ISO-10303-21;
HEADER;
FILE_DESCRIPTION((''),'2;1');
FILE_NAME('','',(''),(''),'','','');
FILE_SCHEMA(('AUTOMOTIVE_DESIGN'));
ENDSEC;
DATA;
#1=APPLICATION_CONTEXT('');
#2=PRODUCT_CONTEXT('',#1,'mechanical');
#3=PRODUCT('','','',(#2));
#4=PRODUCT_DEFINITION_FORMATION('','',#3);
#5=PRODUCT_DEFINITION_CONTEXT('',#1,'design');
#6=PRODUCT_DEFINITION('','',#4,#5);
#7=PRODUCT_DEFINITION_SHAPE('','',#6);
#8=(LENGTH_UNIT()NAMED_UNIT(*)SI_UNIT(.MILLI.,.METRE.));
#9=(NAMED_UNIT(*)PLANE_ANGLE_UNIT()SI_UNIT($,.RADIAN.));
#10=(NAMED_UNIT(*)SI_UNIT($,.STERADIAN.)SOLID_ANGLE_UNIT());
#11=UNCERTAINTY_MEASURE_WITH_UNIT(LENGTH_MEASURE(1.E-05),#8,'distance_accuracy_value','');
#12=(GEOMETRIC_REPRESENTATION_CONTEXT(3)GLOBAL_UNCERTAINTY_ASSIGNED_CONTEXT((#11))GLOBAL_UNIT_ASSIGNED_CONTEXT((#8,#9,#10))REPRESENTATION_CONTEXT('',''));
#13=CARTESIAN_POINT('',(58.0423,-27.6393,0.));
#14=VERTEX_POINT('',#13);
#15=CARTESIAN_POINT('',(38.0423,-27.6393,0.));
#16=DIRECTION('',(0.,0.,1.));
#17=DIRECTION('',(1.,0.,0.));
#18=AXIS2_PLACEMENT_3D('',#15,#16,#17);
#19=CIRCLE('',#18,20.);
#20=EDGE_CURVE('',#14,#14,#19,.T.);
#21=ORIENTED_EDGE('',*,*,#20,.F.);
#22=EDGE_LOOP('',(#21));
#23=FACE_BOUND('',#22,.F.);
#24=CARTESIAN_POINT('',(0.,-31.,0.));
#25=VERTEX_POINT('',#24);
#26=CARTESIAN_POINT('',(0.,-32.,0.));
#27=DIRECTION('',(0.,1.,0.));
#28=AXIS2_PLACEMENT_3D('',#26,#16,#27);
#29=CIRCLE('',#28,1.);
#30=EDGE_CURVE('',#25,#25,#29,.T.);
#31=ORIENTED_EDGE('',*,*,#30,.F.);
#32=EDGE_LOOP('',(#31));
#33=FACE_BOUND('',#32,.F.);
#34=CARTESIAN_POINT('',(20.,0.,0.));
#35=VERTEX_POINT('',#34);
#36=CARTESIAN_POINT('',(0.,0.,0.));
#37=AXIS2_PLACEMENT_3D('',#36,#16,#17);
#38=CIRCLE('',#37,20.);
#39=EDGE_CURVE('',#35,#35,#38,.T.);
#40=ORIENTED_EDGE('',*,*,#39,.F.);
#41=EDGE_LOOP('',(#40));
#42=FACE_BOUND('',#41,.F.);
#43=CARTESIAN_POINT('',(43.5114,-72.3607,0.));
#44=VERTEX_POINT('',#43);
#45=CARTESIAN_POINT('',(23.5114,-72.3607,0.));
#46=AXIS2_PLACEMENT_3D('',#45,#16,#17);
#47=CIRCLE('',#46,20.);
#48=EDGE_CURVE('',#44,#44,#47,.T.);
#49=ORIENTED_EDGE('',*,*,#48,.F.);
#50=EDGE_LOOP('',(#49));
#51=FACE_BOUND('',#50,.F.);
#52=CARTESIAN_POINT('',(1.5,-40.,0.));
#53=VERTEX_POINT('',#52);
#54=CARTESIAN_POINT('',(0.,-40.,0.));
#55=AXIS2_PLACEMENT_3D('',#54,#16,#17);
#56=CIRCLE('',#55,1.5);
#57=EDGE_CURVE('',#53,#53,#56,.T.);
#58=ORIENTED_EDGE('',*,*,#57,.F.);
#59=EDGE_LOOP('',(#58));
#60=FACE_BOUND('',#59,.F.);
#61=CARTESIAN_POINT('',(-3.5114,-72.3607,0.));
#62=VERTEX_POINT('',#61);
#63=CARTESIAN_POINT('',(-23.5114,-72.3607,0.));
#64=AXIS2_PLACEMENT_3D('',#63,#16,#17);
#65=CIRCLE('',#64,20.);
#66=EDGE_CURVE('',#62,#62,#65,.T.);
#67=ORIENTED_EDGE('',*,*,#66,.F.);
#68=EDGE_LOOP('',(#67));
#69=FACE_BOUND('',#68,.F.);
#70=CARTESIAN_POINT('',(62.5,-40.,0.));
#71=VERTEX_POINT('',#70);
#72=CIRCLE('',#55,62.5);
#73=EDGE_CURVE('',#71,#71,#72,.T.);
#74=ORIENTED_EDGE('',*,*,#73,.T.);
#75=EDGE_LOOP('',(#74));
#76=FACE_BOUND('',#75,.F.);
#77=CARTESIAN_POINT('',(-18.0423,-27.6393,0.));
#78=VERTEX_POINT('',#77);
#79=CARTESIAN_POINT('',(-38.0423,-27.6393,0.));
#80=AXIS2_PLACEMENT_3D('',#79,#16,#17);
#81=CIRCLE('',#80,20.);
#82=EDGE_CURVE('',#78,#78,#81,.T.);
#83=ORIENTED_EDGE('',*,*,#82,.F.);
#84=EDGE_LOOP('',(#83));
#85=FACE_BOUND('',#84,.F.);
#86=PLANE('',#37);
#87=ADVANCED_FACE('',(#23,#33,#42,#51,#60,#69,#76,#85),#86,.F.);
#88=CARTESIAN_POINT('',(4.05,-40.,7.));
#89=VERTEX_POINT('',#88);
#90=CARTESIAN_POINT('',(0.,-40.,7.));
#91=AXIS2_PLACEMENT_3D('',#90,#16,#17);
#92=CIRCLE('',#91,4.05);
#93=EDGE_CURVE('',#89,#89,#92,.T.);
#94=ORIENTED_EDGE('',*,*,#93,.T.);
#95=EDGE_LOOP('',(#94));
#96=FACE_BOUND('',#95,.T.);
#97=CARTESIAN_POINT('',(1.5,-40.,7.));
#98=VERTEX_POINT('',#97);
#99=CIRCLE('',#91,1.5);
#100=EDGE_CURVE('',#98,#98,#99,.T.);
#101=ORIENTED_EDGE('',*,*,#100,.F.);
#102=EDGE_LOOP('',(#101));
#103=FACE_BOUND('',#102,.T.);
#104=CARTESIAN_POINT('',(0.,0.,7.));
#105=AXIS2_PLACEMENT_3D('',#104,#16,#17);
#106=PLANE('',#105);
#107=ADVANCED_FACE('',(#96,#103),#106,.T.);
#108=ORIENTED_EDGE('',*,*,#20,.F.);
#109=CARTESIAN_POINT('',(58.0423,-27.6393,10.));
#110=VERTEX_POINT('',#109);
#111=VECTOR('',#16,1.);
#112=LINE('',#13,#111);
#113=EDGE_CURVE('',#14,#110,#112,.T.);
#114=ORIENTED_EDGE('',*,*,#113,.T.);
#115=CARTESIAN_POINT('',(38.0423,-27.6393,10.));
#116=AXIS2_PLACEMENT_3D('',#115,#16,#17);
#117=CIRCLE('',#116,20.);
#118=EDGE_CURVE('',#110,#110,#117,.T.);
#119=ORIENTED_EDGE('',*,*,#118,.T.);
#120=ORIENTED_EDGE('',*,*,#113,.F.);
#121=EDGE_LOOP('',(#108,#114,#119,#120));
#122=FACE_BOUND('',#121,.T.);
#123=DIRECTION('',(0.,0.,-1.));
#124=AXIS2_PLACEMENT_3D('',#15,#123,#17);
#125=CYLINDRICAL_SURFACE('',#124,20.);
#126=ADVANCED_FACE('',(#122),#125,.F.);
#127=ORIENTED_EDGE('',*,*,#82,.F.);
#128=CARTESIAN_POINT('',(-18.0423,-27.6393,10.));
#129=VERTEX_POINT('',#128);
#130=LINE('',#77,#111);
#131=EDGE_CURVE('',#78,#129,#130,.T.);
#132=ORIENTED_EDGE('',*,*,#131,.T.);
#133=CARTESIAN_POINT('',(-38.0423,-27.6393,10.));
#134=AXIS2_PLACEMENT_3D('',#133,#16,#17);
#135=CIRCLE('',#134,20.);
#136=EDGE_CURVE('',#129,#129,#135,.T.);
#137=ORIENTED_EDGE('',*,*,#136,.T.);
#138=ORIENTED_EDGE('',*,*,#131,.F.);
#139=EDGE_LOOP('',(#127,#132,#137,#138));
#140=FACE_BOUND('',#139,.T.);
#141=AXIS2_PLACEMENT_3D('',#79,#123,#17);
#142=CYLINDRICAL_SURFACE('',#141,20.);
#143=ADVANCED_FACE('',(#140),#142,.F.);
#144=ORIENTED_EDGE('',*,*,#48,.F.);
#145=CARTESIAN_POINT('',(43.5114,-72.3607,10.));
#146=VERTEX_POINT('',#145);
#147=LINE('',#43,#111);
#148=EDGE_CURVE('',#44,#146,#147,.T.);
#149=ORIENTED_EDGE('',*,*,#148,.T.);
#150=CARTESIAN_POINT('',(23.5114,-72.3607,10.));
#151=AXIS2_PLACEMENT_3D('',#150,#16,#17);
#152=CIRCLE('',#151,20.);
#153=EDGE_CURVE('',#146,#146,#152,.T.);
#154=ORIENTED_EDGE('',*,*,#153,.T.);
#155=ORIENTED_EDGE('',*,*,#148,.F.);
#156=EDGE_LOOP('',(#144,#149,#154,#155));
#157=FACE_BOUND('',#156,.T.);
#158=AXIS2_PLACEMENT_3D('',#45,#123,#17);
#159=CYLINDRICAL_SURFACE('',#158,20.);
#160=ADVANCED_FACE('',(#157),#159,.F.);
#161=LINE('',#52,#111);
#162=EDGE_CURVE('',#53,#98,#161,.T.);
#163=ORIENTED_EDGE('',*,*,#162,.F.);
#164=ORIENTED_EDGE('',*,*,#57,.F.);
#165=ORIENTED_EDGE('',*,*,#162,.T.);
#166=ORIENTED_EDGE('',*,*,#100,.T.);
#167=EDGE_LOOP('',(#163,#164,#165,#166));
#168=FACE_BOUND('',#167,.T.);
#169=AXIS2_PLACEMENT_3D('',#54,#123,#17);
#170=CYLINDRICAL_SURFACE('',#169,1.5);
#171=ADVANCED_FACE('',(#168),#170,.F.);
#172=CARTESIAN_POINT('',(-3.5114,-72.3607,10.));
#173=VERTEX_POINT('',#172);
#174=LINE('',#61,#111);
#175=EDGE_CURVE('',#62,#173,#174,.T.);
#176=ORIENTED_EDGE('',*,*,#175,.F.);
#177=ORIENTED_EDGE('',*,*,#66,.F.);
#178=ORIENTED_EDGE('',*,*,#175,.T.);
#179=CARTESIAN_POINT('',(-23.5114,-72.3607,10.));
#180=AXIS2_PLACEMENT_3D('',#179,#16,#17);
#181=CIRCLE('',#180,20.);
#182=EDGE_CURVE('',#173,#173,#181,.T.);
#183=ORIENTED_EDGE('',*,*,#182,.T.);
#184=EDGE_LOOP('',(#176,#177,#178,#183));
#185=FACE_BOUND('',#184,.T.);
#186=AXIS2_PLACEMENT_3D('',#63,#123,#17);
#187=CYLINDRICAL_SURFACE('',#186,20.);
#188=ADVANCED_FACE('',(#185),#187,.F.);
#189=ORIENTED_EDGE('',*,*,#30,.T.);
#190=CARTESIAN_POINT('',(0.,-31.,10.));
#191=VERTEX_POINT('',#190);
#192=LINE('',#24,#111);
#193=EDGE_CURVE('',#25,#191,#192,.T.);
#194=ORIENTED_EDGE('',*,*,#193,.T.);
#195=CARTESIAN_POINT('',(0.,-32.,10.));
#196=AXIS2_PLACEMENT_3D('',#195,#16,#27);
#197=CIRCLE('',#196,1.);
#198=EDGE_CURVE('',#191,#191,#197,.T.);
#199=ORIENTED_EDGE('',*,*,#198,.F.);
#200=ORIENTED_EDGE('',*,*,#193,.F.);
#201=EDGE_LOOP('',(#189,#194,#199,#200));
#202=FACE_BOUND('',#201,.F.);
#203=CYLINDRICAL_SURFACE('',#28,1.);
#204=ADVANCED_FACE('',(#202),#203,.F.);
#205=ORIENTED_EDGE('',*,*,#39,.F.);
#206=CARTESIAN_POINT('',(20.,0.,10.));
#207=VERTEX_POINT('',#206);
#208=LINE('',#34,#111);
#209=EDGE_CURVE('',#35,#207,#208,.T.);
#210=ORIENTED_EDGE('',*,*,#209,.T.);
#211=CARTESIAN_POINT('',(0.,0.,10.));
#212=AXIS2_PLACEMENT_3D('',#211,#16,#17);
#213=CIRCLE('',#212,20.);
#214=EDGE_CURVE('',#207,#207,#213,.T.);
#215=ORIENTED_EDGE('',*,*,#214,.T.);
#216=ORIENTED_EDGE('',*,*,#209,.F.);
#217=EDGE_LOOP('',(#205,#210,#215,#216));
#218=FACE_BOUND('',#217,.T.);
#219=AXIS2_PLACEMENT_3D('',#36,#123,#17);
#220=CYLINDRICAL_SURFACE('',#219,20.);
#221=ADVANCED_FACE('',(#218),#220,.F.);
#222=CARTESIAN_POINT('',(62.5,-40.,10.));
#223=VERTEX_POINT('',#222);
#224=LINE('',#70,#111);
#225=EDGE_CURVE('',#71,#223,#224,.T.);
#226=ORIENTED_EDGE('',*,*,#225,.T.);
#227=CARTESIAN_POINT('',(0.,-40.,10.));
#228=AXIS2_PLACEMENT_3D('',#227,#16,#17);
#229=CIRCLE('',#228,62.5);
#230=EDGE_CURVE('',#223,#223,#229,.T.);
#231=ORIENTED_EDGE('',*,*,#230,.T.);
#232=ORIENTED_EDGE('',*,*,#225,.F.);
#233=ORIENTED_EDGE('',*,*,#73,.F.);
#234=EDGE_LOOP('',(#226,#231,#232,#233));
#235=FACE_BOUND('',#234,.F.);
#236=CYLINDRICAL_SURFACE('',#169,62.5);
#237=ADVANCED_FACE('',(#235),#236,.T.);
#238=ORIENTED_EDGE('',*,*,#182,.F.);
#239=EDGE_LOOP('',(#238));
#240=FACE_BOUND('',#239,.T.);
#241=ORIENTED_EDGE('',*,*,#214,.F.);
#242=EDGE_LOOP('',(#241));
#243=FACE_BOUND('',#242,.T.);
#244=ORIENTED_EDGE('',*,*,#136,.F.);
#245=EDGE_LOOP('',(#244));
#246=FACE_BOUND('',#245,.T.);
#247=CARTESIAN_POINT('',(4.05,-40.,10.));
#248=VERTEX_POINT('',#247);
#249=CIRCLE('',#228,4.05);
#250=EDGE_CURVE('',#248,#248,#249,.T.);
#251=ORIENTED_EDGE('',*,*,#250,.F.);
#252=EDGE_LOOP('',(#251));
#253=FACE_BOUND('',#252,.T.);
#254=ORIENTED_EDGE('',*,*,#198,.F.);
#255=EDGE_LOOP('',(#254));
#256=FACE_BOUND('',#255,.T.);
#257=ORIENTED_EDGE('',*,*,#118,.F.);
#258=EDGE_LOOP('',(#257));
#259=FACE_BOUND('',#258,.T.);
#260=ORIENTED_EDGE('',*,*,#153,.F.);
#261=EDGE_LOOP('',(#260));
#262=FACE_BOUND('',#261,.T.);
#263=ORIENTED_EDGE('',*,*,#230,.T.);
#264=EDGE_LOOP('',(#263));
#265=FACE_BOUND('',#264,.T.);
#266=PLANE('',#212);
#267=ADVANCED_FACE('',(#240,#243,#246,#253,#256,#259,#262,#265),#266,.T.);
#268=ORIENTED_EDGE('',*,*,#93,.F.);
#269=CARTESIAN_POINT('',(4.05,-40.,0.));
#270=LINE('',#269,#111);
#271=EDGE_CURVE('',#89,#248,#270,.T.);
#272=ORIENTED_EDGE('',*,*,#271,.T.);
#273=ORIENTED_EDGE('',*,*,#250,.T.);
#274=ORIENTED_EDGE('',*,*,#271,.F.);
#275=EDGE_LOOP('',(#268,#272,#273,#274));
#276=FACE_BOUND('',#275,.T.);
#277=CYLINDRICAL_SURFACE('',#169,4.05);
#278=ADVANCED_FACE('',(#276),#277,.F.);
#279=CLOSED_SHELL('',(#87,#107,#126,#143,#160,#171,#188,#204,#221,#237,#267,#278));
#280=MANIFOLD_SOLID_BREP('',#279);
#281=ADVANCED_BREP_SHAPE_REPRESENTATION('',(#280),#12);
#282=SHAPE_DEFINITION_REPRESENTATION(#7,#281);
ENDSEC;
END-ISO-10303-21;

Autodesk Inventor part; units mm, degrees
ref_plane "YZ Plane" through (0, 0, 0) normal (1, 0, 0) x (0, 1, 0)
ref_plane "XZ Plane" through (0, 0, 0) normal (0, 1, 0) x (-1, 0, 0)
ref_plane "XY Plane" through (0, 0, 0) normal (0, 0, 1) x (1, 0, 0)
sketch "Sketch1" plane through (0, 0, 0) normal (0, 0, 1) x (1, 0, 0)
  circle A0 centre (0, 0) radius 28 construction
  line L0 (75, -135) -> (-75, -135) construction
  line L1 (-75, -135) -> (-75, 65) construction
  line L2 (-75, 65) -> (75, 65) construction
  line L3 (75, 65) -> (75, -135) construction
  line L4 (75, -135) -> (-75, 65) construction
  line L5 (-75, -135) -> (75, 65) construction
  circle A1 centre (0, 0) radius 20
  circle A2 centre (-38.0423, -27.6393) radius 20
  circle A3 centre (-23.5114, -72.3607) radius 20
  circle A4 centre (23.5114, -72.3607) radius 20
  circle A5 centre (38.0423, -27.6393) radius 20
  circle A6 centre (0, -40) radius 62.5
  circle A7 centre (0, -40) radius 1.5
  circle A8 centre (0, -40) radius 4.05
  circle A9 centre (38.0423, -27.6393) radius 22.5 construction
  circle A10 centre (0, 0) radius 22.5 construction
  circle A11 centre (-38.0423, -27.6393) radius 22.5 construction
  circle A12 centre (-23.5114, -72.3607) radius 22.5 construction
  circle A13 centre (23.5114, -72.3607) radius 22.5 construction
  point P0 (0, -35)
  point P1 (0, -32)
  dimension "d0" = 56
  dimension "d1" = 150
  dimension "d2" = 200
  dimension "d3" = 135
  dimension "d4" = 40
  dimension "d7" = 360
  dimension "d9" = 40
  dimension "d10" = 125
  dimension "d11" = 3
  dimension "d12" = 8.1
  dimension "d17" = 45
  dimension "d20" = 360
  dimension "d22" = 8
extrude "Extrusion1" add sketch "Sketch1" along normal blind 10 contours A6
extrude "Extrusion2" add sketch "Sketch1" along normal blind 7 contours A8
hole "Hole1" at (0, -40, 0) at (0, -32, 0) direction (0, 0, 1) diameter 2 end through all
properties part number "FilterWheel-M40-5pos"
